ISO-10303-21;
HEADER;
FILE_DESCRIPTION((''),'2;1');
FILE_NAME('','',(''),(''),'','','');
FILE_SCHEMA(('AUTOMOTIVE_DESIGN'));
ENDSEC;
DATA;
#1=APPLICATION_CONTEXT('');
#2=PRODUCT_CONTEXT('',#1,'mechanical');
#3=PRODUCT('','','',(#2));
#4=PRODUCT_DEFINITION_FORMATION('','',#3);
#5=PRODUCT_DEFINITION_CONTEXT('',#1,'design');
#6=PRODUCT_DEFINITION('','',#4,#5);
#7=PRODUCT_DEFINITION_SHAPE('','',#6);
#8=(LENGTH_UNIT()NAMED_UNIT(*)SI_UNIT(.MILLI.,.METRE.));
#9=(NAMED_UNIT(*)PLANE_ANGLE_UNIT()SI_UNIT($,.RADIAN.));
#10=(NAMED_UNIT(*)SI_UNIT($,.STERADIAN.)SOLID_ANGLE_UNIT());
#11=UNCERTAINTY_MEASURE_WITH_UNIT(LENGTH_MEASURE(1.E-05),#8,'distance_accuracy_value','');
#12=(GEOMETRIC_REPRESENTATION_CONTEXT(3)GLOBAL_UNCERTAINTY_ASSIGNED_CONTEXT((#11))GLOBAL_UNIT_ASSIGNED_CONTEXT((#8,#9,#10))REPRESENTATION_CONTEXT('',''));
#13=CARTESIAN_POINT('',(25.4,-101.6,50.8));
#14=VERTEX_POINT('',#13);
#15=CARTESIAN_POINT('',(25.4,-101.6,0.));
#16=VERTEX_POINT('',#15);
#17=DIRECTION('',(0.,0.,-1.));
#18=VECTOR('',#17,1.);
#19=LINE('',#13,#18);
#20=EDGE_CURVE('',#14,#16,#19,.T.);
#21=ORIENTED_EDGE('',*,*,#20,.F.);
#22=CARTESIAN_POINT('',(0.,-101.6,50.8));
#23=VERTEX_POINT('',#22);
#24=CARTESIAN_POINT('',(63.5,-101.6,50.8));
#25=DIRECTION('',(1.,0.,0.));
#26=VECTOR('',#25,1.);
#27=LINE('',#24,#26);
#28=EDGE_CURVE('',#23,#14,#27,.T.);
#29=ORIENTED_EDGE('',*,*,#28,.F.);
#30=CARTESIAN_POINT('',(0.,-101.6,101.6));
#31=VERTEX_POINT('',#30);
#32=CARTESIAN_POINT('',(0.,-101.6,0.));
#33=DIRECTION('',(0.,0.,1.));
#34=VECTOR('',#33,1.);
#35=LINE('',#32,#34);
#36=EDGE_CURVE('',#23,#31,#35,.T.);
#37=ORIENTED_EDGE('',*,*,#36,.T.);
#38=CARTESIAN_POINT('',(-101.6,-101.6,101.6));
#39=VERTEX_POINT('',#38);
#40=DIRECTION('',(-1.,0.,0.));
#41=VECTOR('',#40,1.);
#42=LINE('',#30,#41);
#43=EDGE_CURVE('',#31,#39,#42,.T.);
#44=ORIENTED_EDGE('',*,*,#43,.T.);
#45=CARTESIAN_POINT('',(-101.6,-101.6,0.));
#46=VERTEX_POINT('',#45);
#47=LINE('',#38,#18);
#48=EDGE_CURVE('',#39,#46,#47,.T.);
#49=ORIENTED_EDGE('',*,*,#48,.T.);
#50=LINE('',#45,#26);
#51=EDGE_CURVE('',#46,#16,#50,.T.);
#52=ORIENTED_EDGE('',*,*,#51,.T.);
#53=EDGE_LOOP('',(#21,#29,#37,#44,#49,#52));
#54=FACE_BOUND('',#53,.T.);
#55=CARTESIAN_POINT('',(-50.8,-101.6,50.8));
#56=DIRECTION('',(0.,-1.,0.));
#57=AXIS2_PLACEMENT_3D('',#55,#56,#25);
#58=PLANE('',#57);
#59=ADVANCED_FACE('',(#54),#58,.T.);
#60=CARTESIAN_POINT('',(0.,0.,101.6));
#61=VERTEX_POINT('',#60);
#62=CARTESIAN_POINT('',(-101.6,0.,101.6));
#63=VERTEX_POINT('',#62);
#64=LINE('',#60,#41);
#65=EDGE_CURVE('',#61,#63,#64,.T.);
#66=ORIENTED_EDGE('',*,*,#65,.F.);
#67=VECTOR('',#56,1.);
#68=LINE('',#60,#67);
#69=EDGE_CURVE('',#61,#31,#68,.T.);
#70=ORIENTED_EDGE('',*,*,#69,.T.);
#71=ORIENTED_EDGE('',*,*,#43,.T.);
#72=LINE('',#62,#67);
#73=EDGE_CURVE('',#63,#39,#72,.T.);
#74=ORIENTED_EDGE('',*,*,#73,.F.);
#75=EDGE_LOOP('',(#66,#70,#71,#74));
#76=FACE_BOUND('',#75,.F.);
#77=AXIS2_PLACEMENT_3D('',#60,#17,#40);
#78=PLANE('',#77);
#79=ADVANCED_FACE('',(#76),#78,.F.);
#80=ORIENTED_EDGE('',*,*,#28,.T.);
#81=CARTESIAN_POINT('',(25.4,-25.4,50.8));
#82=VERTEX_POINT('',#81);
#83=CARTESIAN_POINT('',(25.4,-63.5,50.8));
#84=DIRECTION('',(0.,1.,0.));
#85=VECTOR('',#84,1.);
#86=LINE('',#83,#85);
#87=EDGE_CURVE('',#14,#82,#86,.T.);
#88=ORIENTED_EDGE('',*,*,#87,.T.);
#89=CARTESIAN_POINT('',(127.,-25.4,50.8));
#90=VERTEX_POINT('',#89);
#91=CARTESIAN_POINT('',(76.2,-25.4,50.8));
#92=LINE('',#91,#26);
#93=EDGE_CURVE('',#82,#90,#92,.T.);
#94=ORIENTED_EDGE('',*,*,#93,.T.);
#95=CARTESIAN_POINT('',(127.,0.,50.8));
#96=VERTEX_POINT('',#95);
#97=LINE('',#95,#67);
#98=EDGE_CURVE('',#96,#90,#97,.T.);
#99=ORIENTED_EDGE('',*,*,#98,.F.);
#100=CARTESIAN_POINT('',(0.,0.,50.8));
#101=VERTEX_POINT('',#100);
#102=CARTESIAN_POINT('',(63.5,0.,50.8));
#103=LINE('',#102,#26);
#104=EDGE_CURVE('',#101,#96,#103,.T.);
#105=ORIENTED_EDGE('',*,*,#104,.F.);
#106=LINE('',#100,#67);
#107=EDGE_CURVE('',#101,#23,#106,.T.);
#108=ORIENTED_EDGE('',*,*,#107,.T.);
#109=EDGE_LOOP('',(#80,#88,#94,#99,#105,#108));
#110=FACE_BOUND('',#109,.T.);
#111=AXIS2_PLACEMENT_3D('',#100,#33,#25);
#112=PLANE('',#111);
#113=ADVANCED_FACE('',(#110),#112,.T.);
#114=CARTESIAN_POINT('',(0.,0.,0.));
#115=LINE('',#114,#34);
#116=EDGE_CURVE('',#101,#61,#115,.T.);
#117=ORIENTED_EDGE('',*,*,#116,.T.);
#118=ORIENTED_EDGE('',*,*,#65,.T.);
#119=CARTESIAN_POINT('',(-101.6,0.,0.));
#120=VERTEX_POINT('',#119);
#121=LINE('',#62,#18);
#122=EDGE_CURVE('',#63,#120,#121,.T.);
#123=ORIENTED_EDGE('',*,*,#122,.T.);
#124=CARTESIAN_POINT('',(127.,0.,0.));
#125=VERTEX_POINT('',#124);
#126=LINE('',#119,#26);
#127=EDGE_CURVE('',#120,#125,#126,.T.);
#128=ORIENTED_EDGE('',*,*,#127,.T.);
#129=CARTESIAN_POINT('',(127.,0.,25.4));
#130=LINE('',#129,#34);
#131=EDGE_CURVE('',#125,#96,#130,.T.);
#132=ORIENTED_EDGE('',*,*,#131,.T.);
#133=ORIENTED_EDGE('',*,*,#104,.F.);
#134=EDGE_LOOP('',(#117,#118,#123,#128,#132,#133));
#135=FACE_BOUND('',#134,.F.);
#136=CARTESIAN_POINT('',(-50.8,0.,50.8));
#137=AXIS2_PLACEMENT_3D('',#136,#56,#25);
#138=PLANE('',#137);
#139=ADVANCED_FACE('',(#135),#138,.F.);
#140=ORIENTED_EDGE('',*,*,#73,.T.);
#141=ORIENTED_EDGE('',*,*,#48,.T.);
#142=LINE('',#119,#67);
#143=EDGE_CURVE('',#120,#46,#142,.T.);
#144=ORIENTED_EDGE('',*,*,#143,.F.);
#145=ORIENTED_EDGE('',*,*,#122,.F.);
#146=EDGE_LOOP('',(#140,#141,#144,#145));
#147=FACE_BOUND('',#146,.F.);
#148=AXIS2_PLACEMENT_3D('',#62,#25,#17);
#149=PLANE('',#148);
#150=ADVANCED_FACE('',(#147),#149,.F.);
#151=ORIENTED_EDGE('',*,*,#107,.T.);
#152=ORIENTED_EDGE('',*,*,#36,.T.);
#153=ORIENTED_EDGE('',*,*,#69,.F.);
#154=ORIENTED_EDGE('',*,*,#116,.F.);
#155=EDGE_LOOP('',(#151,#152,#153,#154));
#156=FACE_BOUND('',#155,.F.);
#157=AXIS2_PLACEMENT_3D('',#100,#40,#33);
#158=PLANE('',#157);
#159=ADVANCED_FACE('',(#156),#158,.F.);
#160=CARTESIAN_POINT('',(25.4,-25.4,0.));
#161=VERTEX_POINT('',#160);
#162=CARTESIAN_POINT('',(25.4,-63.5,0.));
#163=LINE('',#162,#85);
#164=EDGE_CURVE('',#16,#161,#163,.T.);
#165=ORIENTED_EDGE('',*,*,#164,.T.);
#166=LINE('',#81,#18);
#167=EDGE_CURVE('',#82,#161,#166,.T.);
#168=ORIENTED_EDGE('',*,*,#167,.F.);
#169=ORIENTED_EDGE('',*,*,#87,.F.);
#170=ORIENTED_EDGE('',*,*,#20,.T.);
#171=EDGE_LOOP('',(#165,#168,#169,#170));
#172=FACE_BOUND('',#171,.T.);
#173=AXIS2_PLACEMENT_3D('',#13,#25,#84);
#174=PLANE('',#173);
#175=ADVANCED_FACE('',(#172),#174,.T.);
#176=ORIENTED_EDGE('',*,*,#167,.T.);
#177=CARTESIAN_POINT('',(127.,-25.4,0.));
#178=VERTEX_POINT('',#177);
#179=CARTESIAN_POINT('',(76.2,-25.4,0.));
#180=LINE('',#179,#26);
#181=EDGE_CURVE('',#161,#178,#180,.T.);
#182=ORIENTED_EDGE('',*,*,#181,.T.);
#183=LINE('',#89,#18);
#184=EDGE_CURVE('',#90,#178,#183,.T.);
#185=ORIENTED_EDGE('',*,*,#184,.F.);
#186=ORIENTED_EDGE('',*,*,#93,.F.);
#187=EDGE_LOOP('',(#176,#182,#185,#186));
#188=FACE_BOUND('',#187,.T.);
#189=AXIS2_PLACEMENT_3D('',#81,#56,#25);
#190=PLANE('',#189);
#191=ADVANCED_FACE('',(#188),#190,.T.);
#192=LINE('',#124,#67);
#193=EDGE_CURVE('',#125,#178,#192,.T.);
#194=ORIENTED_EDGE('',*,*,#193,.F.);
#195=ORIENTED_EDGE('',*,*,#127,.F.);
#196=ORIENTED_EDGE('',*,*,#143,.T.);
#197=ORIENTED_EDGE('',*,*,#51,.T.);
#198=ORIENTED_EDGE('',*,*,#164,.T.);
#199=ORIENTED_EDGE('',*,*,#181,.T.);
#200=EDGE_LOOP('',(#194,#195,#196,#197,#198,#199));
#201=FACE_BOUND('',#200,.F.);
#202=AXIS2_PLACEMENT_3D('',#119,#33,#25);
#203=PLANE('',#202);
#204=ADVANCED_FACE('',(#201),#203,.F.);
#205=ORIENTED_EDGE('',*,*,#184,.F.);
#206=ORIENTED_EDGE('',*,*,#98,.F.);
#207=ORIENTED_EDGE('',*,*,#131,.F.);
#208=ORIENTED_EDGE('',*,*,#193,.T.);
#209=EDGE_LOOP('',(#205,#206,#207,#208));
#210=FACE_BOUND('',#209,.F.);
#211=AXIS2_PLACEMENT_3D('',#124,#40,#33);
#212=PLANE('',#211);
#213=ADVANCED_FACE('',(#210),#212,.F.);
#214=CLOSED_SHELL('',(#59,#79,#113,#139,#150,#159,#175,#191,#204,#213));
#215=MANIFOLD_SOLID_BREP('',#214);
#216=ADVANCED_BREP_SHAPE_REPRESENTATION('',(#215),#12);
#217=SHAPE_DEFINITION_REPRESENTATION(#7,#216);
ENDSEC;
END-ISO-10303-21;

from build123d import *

# Parameters (mm, degrees)
F0_W     = 127
F0_H     = 50.8
F1_DEPTH = 101.6
F2_W     = 101.6
F2_H     = 76.2
F3_DEPTH = 50.8


with BuildPart() as f1:
    # F0 (on Front) → F1 (new body)
    with BuildSketch(Plane.XZ):
        Polygon((-101.6, 0), (0, 0), (0, 50.8), (0, 101.6), (-101.6, 101.6), align=None)
        with Locations((63.5, 25.4)):
            Rectangle(F0_W, F0_H)
    extrude(amount=F1_DEPTH)

    # F2 (on face) → F3 (cut)
    with BuildSketch(Plane.XY.offset(50.8)):
        with Locations((76.2, -63.5)):
            Rectangle(F2_W, F2_H)
    extrude(amount=-F3_DEPTH, mode=Mode.SUBTRACT)


solid = f1.part
